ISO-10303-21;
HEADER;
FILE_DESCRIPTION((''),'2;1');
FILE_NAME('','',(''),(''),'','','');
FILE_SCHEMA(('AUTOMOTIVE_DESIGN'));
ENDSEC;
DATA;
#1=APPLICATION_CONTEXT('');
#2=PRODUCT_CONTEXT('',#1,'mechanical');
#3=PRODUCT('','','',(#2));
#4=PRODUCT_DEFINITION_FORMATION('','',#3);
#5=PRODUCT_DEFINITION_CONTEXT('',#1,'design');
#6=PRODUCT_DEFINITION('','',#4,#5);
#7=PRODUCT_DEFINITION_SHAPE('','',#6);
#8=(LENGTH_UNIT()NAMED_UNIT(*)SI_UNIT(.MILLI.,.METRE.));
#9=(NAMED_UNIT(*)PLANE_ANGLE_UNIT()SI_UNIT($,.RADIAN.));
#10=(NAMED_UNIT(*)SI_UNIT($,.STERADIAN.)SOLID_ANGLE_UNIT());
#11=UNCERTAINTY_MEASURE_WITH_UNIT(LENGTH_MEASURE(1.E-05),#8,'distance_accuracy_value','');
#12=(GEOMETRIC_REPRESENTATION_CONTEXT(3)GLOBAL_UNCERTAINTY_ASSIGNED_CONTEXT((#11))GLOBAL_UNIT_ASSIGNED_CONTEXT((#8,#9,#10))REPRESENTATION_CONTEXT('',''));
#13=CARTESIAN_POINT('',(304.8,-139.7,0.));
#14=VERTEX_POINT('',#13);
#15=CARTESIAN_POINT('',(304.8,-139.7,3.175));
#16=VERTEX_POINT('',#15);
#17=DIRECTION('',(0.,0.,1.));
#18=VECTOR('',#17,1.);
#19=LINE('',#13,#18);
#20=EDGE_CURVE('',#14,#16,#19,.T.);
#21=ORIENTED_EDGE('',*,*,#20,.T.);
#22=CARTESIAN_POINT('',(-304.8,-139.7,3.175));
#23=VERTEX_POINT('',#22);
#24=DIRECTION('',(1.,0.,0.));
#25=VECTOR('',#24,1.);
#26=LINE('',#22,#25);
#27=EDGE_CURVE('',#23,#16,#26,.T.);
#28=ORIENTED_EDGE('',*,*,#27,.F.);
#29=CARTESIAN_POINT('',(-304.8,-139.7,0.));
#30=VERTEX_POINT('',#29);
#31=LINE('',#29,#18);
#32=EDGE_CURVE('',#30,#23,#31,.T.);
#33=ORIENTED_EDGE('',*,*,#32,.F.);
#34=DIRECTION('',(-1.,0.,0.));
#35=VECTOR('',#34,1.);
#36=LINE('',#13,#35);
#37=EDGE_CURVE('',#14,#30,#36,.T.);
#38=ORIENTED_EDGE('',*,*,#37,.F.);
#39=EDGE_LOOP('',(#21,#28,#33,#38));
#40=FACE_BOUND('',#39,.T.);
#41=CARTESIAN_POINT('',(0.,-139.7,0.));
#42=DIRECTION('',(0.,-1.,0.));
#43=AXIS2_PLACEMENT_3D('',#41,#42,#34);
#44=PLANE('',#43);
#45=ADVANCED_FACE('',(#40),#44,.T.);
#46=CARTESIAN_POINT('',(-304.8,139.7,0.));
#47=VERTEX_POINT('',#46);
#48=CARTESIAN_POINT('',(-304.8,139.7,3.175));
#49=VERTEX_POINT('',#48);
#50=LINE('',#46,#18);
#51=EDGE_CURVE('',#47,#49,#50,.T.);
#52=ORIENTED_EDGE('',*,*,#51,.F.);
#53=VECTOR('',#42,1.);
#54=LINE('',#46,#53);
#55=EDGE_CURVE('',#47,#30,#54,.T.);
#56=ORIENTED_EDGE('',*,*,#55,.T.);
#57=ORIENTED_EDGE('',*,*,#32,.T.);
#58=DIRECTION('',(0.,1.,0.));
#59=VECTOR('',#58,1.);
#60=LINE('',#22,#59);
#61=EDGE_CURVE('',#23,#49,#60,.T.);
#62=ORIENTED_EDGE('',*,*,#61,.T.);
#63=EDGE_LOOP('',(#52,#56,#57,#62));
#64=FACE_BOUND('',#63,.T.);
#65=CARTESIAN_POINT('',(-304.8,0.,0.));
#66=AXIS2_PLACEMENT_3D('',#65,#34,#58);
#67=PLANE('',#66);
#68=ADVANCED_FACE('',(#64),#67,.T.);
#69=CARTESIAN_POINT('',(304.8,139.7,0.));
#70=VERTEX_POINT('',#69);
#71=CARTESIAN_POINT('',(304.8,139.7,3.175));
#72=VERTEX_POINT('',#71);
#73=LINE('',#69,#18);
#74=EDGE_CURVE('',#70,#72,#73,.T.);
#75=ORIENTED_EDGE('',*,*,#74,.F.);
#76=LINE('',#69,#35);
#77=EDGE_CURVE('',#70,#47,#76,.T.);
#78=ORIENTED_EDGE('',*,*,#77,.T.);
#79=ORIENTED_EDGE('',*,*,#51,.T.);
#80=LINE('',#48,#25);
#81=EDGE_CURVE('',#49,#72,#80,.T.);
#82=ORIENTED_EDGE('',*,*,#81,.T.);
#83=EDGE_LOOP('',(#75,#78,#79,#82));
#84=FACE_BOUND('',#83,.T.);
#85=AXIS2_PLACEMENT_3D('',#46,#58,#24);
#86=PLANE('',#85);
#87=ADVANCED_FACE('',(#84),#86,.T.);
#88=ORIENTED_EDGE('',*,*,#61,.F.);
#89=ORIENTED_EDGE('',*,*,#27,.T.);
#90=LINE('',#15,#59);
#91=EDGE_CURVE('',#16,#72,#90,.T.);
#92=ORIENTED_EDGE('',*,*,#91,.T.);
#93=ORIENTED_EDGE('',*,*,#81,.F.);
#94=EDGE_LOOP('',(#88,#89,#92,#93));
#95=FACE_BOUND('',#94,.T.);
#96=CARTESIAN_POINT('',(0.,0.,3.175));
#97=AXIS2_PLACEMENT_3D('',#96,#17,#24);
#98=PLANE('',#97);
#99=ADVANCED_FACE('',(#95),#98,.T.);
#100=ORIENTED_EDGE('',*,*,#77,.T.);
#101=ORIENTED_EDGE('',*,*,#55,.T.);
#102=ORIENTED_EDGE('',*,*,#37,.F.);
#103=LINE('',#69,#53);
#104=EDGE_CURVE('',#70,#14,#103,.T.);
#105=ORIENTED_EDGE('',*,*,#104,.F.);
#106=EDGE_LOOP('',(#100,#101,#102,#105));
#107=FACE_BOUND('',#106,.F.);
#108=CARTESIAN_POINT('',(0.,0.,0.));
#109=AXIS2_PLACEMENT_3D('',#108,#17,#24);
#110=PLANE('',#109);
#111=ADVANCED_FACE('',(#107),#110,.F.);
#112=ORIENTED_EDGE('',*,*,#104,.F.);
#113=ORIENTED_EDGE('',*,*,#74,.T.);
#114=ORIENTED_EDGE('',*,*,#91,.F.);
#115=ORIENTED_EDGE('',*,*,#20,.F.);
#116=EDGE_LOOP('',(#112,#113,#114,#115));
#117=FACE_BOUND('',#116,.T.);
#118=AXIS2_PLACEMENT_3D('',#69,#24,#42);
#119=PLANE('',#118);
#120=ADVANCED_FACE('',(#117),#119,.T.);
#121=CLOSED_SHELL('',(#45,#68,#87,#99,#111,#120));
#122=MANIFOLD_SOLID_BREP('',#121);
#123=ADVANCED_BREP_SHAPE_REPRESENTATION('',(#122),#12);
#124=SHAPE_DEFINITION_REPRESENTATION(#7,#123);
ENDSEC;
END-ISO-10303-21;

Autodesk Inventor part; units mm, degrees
ref_plane "YZ Plane" through (0, 0, 0) normal (1, 0, 0) x (0, 1, 0)
ref_plane "XZ Plane" through (0, 0, 0) normal (0, 1, 0) x (-1, 0, 0)
ref_plane "XY Plane" through (0, 0, 0) normal (0, 0, 1) x (1, 0, 0)
sketch "Sketch1" plane through (0, 0, 0) normal (0, 0, 1) x (1, 0, 0)
  line L0 (-426.72, 0) -> (426.72, 0) projected
  line L1 (0, -195.58) -> (0, 195.58) projected
  line L2 (-304.8, 139.7) -> (304.8, 139.7)
  line L3 (304.8, 139.7) -> (304.8, -139.7)
  line L4 (304.8, -139.7) -> (-304.8, -139.7)
  line L5 (-304.8, -139.7) -> (-304.8, 139.7)
  point P0 (0, 0)
  point P1 (0, 139.7)
  point P2 (-304.8, 0)
  dimension "d0" = 609.6
  dimension "d1" = 279.4
extrude "Extrusion1" add sketch "Sketch1" along normal blind 3.175
properties part number "front top panel"
